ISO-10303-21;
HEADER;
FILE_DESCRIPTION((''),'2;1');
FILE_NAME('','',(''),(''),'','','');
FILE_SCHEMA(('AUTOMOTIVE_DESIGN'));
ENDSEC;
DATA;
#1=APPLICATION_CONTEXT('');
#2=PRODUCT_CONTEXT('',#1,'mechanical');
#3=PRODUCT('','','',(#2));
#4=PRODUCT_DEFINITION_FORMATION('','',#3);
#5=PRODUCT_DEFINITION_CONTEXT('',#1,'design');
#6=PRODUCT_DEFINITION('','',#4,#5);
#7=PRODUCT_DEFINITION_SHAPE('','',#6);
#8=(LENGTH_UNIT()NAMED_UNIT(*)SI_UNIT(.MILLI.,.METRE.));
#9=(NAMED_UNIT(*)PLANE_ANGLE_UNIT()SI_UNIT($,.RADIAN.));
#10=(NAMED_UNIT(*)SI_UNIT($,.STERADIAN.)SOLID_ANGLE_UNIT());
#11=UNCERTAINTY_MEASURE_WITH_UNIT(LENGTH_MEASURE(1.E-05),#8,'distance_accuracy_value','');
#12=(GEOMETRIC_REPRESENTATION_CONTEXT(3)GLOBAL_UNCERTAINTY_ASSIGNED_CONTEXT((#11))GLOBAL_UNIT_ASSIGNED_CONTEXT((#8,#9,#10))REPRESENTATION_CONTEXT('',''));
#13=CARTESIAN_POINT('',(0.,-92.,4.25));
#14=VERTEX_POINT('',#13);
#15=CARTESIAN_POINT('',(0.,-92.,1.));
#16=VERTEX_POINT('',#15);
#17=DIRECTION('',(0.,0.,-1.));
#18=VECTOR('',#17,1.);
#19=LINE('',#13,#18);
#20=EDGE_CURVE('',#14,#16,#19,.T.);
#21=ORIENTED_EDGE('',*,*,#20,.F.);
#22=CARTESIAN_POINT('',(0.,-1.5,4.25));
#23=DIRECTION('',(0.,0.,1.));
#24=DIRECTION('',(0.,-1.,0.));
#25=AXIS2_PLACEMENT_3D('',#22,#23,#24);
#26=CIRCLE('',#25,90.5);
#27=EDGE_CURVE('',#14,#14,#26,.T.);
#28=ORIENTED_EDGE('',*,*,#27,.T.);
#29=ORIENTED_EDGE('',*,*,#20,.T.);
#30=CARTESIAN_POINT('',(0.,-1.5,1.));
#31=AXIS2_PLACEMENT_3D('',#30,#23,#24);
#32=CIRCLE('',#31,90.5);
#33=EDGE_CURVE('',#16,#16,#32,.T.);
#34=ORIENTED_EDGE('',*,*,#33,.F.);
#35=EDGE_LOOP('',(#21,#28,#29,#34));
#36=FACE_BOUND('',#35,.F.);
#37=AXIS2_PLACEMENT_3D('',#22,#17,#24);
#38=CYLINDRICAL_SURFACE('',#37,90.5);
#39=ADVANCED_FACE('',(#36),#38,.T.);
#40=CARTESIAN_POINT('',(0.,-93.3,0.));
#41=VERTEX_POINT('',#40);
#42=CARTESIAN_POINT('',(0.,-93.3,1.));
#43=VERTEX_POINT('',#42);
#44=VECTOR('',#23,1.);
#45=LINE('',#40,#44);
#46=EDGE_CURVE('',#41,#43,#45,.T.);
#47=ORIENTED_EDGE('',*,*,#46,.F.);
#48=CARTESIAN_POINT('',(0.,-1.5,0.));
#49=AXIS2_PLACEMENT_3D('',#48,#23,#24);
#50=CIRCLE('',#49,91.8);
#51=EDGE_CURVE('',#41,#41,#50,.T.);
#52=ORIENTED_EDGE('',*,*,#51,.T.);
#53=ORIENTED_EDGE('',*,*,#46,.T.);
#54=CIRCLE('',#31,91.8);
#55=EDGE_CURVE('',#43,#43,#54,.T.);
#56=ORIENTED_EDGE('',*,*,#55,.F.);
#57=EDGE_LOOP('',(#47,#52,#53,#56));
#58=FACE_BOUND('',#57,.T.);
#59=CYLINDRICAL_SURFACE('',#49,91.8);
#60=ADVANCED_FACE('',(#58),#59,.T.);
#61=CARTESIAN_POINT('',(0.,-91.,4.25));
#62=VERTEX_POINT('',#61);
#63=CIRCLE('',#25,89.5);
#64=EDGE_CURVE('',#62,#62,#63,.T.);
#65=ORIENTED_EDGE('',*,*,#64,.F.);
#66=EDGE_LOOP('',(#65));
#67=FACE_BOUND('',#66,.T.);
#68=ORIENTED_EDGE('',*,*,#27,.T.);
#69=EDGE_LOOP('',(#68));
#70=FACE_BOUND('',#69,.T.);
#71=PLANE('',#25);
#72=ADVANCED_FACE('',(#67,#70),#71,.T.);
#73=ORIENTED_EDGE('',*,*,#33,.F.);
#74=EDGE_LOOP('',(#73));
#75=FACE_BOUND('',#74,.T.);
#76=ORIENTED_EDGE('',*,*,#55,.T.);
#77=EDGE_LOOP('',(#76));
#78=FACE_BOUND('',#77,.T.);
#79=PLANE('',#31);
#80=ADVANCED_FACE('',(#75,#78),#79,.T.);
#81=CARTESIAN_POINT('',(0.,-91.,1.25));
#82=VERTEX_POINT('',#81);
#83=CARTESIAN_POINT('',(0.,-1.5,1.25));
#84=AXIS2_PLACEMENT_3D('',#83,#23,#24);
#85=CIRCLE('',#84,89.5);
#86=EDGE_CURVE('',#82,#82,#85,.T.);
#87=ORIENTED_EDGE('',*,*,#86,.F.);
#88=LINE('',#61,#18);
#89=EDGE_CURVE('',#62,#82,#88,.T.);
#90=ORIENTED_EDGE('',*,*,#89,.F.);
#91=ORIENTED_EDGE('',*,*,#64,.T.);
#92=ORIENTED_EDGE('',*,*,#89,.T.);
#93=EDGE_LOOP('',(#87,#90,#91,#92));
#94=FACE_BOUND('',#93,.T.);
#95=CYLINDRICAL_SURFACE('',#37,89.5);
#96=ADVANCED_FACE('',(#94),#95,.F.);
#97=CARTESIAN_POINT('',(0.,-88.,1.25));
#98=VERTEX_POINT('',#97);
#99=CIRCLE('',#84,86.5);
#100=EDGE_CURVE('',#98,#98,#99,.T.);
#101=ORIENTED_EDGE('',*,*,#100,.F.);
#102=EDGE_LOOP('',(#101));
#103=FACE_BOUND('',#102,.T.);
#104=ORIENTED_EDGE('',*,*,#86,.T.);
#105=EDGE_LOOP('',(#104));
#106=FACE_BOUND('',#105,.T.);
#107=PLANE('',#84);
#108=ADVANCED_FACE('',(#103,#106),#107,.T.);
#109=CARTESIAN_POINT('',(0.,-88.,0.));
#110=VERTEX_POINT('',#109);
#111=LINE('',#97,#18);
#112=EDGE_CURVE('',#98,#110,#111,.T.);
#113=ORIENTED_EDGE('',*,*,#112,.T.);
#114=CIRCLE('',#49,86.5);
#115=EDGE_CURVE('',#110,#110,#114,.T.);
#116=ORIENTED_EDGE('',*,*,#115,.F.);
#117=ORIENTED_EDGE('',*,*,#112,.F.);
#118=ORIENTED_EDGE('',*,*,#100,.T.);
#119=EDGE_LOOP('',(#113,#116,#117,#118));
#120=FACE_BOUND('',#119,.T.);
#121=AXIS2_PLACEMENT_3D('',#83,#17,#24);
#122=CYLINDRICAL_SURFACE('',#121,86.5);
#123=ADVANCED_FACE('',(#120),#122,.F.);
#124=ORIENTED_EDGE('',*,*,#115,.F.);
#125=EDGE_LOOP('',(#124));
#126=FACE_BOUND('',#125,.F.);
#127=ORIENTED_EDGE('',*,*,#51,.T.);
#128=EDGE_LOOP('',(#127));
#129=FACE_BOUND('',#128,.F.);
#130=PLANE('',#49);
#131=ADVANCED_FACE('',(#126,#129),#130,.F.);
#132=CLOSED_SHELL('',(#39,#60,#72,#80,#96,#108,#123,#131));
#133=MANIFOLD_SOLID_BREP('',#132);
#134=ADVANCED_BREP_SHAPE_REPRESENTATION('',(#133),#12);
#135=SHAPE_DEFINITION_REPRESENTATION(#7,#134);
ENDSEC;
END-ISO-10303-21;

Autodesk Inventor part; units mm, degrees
ref_plane "YZ Plane" through (0, 0, 0) normal (1, 0, 0) x (0, 1, 0)
ref_plane "XZ Plane" through (0, 0, 0) normal (0, 1, 0) x (-1, 0, 0)
ref_plane "XY Plane" through (0, 0, 0) normal (0, 0, 1) x (1, 0, 0)
sketch "Sketch2" plane through (0, 0, 0) normal (1, 0, 0) x (0, 1, 0)
  line L0 (-93.3, 0) -> (-93.3, 1)
  line L1 (-93.3, 1) -> (-93.3, 0) projected
  line L2 (-93.3, 1) -> (-92, 1)
  line L3 (-92, 4.25) -> (-92, 1)
  line L4 (-92, 1) -> (-92, 4.25)
  line L5 (-92, 4.25) -> (-91, 4.25)
  line L6 (-91, 4.25) -> (-91, 1.25)
  line L7 (-91, 4.25) -> (-91, 1.25)
  line L8 (-91, 1.25) -> (-88, 1.25)
  line L9 (-88, 1.25) -> (-88, 0) projected
  line L10 (-88, 1.25) -> (-88, 0)
  line L11 (-1.5, 0) -> (-1.5, 31.2908) construction
  line L12 (-93.3, 0) -> (-88, 0)
  dimension "d0" = 1
  dimension "d2" = 3
  dimension "d4" = 3.25
  dimension "d5" = 1
  dimension "d7" = 91.8
  dimension "d8" = 1.3
  dimension "d9" = 3
revolve "Revolution1" add sketch "Sketch2" angle 360 about axis through (0, -1.5, 0) along (0, 0, 1)
properties part number "Spacer_3DPrint"
